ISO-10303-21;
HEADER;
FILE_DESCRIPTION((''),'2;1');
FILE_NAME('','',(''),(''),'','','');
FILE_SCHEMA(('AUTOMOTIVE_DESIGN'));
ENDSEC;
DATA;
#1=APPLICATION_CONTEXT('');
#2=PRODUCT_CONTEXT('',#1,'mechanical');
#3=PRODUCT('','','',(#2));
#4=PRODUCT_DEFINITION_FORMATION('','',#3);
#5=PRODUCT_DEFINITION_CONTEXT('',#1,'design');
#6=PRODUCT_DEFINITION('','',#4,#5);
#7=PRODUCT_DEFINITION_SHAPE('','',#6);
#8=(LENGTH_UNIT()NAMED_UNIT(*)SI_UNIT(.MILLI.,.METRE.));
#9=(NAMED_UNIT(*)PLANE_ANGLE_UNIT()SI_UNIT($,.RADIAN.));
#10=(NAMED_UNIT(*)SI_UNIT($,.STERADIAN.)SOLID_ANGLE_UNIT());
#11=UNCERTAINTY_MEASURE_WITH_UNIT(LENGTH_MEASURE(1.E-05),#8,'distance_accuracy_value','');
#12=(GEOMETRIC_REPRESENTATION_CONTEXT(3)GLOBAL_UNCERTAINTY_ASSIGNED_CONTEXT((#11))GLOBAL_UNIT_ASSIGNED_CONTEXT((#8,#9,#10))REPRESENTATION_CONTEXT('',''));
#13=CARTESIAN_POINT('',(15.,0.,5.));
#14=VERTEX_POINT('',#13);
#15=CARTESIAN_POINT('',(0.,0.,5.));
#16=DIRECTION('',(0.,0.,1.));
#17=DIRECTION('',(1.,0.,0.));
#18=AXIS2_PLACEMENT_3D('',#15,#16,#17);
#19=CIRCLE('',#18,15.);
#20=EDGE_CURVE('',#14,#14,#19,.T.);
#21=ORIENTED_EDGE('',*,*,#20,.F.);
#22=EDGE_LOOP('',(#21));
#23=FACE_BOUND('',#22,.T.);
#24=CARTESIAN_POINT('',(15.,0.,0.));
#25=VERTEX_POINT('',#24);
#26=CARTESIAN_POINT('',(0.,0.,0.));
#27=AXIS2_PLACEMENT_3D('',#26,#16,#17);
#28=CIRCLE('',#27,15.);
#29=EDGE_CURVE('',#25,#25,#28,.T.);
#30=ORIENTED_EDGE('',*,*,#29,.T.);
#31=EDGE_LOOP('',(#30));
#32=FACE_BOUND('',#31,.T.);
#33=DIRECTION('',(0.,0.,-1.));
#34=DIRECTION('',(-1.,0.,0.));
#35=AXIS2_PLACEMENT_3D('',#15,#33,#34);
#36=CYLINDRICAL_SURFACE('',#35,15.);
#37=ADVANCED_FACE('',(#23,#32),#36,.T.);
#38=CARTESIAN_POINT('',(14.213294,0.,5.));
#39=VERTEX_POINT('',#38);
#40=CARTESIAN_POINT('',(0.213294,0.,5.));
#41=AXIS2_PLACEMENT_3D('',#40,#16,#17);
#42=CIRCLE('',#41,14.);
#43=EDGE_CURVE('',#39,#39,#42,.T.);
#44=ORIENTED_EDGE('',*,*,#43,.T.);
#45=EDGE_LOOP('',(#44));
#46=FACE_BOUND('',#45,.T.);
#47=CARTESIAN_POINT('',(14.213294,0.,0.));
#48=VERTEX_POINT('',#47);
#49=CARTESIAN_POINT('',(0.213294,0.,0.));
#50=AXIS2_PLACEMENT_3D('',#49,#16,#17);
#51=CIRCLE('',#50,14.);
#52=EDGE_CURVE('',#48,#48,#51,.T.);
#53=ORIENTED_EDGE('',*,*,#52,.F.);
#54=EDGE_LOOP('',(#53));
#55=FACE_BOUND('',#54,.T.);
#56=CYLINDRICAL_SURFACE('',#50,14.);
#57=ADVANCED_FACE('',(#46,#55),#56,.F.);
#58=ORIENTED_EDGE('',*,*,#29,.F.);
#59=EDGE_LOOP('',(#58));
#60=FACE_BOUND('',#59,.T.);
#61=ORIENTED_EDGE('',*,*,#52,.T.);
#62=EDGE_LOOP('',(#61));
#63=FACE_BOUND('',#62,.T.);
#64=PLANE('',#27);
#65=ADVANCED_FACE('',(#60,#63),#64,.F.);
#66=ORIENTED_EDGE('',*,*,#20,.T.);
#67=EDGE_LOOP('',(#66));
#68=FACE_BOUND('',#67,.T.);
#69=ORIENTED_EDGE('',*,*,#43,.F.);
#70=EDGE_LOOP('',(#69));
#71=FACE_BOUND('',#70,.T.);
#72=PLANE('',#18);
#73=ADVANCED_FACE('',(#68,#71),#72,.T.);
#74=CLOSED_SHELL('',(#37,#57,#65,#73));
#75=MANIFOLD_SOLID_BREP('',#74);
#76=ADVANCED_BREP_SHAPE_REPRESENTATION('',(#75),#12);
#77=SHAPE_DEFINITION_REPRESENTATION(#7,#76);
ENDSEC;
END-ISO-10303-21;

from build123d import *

# Parameters (mm, degrees)
SKIZZE1_R                       = 15
AUFSATZ_LINEAR_AUSTRAGEN1_DEPTH = 5
SKIZZE2_R                       = 14
SCHNITT_LINEAR_AUSTRAGEN1_DEPTH = 5


with BuildPart() as part:
    # Skizze1 → Aufsatz-Linear austragen1 (new body)
    with BuildSketch(Plane.XY):
        Circle(SKIZZE1_R)
    extrude(amount=AUFSATZ_LINEAR_AUSTRAGEN1_DEPTH)

    # Skizze2 → Schnitt-Linear austragen1 (cut)
    with BuildSketch(Plane.XY.offset(5)):
        with Locations((0.213293684, 0)):
            Circle(SKIZZE2_R)
    extrude(amount=-SCHNITT_LINEAR_AUSTRAGEN1_DEPTH, mode=Mode.SUBTRACT)


solid = part.part
